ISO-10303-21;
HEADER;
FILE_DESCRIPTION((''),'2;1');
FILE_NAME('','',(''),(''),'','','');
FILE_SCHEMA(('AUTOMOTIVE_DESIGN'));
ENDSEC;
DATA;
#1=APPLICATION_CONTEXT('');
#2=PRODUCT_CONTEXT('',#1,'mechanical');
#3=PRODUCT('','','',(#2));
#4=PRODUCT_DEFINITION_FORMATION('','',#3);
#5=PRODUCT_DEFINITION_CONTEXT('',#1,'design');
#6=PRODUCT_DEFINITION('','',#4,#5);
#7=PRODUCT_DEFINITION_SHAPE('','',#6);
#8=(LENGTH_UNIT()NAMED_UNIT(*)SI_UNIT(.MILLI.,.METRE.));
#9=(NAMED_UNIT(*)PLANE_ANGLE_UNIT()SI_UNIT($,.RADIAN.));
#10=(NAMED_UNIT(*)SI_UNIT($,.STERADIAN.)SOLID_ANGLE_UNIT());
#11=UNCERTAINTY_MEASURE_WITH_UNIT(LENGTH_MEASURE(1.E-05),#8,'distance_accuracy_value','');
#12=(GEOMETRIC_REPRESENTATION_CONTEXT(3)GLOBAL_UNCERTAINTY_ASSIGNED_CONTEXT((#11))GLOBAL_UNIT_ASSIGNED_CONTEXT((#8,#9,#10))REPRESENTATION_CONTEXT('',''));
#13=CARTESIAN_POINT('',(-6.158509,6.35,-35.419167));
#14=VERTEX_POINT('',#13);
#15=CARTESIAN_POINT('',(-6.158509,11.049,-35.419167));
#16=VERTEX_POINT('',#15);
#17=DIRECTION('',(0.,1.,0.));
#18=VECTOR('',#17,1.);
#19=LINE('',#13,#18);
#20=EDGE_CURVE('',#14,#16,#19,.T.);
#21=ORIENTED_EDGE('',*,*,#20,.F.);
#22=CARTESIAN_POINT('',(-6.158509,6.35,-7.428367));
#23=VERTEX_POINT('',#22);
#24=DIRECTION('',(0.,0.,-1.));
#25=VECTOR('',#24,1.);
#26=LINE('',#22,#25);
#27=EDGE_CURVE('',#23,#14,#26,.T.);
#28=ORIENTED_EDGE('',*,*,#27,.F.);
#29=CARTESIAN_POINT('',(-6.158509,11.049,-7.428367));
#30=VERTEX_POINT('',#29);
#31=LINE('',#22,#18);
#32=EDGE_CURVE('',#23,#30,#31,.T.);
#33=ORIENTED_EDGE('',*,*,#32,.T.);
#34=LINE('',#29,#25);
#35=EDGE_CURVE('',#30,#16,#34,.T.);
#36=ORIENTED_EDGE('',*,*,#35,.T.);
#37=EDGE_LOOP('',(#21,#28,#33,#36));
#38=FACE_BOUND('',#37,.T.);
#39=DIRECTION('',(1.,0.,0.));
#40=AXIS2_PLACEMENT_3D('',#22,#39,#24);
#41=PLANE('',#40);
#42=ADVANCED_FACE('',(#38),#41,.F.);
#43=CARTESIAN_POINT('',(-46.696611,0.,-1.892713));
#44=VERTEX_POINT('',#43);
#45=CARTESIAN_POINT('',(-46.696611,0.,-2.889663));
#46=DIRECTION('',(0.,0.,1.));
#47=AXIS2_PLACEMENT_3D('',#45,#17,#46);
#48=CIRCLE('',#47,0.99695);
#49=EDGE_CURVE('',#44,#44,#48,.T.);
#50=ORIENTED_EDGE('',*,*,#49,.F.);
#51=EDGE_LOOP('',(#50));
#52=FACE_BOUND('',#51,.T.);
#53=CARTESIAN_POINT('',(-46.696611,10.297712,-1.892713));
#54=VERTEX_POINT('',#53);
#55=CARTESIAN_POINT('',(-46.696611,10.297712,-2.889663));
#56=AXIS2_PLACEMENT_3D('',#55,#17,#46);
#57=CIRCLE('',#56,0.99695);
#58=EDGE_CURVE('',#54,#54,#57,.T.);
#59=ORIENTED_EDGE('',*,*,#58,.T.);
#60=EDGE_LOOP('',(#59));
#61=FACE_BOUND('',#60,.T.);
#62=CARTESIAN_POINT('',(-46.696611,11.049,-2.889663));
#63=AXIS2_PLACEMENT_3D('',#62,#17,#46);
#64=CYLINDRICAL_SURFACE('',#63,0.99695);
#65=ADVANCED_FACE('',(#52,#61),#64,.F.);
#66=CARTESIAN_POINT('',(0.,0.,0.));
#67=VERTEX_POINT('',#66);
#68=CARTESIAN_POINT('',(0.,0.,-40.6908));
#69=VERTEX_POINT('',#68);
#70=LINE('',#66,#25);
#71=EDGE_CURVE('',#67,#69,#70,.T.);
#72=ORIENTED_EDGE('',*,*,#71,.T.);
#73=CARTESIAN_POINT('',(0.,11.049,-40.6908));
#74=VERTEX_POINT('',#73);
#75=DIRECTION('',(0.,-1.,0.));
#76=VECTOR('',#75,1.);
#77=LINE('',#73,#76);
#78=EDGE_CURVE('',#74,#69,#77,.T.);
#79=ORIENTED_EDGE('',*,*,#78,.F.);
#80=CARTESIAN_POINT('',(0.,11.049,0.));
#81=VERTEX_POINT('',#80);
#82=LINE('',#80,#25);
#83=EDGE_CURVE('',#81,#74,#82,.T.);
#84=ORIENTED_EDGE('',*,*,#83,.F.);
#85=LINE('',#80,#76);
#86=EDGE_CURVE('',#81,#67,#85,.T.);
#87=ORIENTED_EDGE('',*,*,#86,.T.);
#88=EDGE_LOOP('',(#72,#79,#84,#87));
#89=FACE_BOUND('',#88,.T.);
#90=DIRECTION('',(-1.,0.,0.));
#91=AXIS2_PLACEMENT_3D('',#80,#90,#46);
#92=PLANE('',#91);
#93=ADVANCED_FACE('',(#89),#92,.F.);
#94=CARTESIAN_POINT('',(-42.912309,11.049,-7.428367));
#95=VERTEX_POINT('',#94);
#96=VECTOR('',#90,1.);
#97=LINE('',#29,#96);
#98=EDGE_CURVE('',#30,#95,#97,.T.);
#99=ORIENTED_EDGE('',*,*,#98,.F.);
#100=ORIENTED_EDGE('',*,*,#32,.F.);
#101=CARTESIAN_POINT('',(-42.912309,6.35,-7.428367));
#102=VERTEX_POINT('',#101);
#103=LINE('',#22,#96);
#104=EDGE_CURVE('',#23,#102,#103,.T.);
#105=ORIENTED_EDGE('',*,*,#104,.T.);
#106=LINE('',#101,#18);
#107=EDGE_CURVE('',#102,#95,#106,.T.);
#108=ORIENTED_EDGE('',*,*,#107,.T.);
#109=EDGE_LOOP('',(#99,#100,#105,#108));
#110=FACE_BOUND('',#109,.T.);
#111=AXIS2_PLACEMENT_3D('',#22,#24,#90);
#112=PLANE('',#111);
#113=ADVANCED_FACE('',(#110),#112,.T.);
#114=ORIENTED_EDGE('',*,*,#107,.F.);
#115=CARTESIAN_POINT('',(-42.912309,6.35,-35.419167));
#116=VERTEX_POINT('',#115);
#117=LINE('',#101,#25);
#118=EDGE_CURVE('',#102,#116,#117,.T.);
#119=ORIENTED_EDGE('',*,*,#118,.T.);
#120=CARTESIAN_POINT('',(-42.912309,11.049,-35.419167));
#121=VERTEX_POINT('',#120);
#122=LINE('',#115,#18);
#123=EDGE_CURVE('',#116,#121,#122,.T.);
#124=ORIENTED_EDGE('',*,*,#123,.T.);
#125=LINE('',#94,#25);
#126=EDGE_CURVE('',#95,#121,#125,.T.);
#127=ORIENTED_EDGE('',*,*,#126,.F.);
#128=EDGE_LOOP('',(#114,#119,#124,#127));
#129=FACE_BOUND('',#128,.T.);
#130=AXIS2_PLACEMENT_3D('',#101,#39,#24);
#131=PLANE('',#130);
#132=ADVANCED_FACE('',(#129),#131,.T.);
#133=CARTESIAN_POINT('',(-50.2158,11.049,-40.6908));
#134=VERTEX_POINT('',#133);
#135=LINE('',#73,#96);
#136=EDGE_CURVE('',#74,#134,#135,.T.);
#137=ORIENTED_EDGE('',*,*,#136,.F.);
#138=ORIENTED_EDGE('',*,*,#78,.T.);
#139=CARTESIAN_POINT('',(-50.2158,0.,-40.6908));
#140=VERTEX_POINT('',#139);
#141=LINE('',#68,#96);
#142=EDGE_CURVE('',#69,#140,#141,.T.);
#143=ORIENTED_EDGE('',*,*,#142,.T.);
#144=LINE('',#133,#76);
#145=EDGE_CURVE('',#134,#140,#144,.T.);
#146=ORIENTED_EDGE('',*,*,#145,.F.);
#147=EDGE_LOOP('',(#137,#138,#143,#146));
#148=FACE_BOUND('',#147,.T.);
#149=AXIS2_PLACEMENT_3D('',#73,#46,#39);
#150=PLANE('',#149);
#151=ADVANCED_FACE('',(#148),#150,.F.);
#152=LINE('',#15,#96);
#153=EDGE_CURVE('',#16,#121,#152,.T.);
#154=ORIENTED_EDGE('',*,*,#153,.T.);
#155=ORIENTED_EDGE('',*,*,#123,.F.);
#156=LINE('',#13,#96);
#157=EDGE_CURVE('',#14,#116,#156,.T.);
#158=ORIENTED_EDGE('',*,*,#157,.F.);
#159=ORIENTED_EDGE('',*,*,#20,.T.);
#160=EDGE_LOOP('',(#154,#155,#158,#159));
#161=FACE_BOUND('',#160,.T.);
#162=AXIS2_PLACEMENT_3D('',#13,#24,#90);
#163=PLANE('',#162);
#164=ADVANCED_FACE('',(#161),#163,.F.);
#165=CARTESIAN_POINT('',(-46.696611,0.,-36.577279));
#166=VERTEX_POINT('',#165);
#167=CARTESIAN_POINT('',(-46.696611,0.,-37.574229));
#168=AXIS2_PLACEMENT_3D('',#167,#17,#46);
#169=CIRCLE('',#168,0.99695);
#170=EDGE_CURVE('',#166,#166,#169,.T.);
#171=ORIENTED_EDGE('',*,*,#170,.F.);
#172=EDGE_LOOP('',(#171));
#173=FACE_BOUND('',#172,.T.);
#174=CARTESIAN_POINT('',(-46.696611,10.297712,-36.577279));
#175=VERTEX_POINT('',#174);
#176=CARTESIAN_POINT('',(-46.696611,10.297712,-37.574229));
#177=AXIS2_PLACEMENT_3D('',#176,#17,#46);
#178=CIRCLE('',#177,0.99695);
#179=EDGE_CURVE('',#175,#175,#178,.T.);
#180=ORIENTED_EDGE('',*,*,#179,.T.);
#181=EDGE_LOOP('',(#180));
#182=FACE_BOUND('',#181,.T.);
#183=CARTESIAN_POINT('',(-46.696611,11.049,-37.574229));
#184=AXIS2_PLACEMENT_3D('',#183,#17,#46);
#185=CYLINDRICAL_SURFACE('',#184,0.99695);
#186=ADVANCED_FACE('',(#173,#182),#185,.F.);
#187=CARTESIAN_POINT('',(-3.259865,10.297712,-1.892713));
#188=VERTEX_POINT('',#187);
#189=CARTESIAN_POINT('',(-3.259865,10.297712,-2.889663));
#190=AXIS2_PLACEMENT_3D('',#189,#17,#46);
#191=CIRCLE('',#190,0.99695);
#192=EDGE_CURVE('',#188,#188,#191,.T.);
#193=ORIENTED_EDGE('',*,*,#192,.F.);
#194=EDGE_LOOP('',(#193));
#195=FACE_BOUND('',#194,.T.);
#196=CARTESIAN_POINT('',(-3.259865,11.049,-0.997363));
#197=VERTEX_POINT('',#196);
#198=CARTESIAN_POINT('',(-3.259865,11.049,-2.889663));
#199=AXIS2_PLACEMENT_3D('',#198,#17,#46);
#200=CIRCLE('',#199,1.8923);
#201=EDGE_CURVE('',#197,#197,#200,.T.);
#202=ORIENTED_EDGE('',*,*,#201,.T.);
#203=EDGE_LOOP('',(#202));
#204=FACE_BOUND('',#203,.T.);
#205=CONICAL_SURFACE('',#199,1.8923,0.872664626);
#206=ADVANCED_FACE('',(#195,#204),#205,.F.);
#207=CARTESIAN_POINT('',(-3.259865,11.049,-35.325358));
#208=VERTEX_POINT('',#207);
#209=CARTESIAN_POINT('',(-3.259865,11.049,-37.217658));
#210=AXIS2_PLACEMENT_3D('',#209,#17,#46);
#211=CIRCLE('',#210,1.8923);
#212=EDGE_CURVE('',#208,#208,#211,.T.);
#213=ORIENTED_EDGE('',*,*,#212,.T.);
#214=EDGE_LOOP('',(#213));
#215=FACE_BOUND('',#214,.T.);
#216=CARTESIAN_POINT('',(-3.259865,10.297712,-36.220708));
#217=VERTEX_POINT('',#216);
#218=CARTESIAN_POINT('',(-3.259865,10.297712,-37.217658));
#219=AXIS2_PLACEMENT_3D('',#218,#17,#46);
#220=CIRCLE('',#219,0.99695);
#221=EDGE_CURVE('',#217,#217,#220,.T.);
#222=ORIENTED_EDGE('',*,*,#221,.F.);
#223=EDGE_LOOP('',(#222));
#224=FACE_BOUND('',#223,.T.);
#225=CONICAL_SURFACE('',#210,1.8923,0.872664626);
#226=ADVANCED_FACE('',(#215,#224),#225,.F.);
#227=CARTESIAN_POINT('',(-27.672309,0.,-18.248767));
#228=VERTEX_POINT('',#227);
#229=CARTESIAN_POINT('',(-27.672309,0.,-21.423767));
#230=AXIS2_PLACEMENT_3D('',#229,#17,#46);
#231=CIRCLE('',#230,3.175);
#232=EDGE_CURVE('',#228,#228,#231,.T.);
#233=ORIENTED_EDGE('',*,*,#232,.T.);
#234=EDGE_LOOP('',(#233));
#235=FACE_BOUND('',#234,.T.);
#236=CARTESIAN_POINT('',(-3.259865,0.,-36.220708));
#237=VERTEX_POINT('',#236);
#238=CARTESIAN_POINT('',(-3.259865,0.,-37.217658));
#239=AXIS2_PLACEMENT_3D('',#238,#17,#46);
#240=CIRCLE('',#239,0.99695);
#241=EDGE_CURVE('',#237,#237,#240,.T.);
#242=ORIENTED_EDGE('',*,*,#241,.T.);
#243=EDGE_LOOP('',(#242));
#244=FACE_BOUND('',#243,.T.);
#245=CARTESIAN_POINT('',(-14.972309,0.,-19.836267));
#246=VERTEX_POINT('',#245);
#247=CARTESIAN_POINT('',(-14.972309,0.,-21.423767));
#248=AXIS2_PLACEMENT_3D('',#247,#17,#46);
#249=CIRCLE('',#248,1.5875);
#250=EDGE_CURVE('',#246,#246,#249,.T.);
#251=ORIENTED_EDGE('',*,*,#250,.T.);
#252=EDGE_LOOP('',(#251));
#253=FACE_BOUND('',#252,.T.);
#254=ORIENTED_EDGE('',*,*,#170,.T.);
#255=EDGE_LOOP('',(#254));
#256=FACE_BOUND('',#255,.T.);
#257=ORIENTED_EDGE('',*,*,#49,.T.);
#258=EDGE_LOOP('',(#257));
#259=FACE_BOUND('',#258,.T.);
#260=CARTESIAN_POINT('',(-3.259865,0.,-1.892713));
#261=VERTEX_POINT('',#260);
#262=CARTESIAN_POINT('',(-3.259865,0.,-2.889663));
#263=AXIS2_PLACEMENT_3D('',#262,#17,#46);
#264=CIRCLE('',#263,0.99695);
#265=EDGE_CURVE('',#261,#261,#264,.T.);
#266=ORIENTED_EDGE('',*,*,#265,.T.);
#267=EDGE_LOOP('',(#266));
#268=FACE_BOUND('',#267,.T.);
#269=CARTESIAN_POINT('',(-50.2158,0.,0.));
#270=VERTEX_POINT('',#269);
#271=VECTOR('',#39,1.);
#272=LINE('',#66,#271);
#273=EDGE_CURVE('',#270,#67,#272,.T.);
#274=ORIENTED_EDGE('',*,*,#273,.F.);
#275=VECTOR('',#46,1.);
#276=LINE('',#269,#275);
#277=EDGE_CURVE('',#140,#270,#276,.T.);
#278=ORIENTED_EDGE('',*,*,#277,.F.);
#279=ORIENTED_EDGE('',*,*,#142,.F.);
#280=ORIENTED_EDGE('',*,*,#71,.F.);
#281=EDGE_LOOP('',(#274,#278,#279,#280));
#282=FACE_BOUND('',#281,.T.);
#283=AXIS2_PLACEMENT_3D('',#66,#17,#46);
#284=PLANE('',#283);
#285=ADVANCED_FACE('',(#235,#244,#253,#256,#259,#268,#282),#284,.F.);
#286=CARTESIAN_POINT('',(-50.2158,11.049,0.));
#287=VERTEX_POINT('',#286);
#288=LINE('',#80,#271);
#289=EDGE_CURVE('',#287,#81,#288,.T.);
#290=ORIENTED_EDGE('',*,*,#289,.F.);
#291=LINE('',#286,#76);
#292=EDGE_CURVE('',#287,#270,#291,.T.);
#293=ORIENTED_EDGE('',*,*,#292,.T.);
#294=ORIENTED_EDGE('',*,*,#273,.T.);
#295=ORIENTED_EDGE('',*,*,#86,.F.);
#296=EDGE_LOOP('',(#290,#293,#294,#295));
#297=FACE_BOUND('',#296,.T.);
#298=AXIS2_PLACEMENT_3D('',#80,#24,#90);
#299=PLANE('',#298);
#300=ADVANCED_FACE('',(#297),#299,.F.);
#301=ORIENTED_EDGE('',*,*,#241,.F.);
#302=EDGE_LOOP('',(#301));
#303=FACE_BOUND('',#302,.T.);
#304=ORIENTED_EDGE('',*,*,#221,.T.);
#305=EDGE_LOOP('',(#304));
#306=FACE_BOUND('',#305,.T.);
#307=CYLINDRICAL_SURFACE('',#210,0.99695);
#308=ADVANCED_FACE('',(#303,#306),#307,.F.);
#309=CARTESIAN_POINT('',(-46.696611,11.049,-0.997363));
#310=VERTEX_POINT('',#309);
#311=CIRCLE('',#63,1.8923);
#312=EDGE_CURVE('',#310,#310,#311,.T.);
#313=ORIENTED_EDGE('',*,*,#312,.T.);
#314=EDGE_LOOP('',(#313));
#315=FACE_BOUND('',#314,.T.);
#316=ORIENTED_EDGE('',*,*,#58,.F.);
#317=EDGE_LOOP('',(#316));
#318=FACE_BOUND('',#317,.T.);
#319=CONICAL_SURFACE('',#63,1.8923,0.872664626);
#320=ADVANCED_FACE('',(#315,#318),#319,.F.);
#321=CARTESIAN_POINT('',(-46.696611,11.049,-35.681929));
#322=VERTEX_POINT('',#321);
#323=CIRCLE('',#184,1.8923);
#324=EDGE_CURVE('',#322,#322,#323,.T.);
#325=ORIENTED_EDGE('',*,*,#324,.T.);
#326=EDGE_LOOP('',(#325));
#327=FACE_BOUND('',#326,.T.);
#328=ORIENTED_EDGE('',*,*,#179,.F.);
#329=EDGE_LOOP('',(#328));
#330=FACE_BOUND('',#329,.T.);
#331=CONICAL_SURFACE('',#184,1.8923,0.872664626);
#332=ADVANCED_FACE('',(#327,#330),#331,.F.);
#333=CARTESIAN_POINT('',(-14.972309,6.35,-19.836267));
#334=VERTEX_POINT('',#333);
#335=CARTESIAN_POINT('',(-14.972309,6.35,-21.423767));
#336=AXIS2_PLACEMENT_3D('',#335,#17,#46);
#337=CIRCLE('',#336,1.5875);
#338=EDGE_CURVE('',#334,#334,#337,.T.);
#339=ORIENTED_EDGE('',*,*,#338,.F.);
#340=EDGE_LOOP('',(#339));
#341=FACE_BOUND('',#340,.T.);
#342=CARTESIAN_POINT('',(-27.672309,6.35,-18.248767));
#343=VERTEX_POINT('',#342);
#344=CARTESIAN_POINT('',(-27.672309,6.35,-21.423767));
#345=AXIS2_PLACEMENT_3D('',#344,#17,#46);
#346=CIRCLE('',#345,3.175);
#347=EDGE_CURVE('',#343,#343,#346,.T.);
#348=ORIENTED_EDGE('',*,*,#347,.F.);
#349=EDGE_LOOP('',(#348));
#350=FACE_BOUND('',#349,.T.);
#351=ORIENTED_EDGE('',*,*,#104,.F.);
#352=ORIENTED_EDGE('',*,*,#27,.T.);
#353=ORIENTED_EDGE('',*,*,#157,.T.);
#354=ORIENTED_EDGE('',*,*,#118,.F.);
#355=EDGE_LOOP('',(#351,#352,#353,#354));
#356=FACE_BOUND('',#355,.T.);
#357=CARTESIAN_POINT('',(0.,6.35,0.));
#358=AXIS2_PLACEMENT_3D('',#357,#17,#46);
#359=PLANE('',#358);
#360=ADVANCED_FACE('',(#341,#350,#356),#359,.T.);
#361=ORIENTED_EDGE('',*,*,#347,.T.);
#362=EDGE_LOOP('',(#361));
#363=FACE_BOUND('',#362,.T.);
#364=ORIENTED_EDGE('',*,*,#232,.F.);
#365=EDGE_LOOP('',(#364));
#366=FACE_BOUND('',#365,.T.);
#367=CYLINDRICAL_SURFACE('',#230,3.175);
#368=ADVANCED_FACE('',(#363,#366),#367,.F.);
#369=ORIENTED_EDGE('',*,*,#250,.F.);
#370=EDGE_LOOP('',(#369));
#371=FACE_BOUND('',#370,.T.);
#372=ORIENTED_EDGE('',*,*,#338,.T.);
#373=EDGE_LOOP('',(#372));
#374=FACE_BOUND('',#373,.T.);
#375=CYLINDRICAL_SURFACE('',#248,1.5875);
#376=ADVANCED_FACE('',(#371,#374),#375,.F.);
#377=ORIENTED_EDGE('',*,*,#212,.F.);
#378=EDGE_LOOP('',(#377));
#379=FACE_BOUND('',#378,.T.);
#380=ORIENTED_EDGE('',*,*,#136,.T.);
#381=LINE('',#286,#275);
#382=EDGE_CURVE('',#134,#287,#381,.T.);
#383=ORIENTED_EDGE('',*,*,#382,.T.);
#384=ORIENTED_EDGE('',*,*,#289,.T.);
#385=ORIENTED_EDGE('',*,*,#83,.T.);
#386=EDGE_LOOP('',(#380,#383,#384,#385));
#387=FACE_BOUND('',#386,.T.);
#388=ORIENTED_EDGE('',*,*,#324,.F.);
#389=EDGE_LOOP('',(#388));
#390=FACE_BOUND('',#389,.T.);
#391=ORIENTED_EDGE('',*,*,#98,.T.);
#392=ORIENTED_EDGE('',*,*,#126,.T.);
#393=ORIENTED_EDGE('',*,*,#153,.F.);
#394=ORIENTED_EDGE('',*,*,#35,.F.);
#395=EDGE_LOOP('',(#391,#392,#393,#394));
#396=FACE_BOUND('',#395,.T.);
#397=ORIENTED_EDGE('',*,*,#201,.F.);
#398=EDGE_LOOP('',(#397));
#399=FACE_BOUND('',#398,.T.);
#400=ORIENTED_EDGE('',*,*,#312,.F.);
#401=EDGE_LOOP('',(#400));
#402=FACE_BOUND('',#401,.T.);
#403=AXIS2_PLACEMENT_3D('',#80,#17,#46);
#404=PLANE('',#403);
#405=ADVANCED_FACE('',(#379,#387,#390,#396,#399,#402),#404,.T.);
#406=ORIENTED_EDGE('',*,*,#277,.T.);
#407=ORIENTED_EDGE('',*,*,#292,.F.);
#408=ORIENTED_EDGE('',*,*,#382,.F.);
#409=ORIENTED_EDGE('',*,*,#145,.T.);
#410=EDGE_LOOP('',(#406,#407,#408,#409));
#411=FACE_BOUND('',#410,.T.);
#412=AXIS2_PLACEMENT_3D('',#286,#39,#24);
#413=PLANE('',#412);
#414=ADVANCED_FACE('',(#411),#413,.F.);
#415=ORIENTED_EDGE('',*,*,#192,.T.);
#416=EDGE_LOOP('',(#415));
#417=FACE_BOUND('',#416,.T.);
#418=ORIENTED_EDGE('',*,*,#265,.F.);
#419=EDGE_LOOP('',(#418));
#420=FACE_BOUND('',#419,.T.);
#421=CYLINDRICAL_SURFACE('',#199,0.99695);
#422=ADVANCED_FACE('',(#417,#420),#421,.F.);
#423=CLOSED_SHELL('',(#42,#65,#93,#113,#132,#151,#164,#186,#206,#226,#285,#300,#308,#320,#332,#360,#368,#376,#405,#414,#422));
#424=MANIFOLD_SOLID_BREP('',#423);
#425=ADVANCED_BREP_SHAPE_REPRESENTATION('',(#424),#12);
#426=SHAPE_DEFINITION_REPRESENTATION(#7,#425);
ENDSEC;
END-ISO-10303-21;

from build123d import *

# Parameters (mm, degrees)
SKETCH1_W                       = 50.2158
SKETCH1_H                       = 40.6908
BOSS_EXTRUDE1_DEPTH             = 11.049
SKETCH2_W                       = 36.7538
SKETCH2_H                       = 27.9908
CUT_EXTRUDE1_DEPTH              = 4.699
SKETCH3_R                       = 3.175
SKETCH3_R_2                     = 1.5875
CUT_EXTRUDE2_DEPTH              = 65.943746999
F_3_48_TAPPED_HOLE1_D           = 1.9939
F_3_48_TAPPED_HOLE1_CSINK_D     = 3.7846
F_3_48_TAPPED_HOLE1_CSINK_ANGLE = 100


with BuildPart() as part:
    # Sketch1 → Boss-Extrude1 (new body)
    with BuildSketch(Plane(origin=(0, 0, 0), x_dir=(1, 0, 0), z_dir=(0, 1, 0))):
        with Locations((-25.1079, 20.3454)):
            Rectangle(SKETCH1_W, SKETCH1_H)
    extrude(amount=BOSS_EXTRUDE1_DEPTH)

    # Sketch2 → Cut-Extrude1 (cut)
    with BuildSketch(Plane(origin=(0, 11.049, 0), x_dir=(1, 0, 0), z_dir=(0, 1, 0))):
        with Locations((-24.535409395, 21.423766617)):
            Rectangle(SKETCH2_W, SKETCH2_H)
    extrude(amount=-CUT_EXTRUDE1_DEPTH, mode=Mode.SUBTRACT)

    # Sketch3 → Cut-Extrude2 (cut, through all)
    with BuildSketch(Plane(origin=(0, 6.35, 0), x_dir=(1, 0, 0), z_dir=(0, 1, 0))):
        with Locations(Location((-27.672309395, 21.423766617, 0), (0, 0, 270))):
            Circle(SKETCH3_R)
        with Locations(Location((-14.972309395, 21.423766617, 0), (0, 0, 270))):
            Circle(SKETCH3_R_2)
    extrude(amount=-CUT_EXTRUDE2_DEPTH, mode=Mode.SUBTRACT)

    # #3-48 Tapped Hole1 (through all)
    with Locations(Plane(origin=(0, 11.049, 0), x_dir=(1, 0, 0), z_dir=(0, 1, 0))):
        with Locations((-46.696611007, 37.574228679), (-3.259865138, 37.217658377), (-46.696611007, 2.889662947), (-3.259865138, 2.889662947)):
            CounterSinkHole(F_3_48_TAPPED_HOLE1_D / 2, F_3_48_TAPPED_HOLE1_CSINK_D / 2, counter_sink_angle=F_3_48_TAPPED_HOLE1_CSINK_ANGLE)


solid = part.part
